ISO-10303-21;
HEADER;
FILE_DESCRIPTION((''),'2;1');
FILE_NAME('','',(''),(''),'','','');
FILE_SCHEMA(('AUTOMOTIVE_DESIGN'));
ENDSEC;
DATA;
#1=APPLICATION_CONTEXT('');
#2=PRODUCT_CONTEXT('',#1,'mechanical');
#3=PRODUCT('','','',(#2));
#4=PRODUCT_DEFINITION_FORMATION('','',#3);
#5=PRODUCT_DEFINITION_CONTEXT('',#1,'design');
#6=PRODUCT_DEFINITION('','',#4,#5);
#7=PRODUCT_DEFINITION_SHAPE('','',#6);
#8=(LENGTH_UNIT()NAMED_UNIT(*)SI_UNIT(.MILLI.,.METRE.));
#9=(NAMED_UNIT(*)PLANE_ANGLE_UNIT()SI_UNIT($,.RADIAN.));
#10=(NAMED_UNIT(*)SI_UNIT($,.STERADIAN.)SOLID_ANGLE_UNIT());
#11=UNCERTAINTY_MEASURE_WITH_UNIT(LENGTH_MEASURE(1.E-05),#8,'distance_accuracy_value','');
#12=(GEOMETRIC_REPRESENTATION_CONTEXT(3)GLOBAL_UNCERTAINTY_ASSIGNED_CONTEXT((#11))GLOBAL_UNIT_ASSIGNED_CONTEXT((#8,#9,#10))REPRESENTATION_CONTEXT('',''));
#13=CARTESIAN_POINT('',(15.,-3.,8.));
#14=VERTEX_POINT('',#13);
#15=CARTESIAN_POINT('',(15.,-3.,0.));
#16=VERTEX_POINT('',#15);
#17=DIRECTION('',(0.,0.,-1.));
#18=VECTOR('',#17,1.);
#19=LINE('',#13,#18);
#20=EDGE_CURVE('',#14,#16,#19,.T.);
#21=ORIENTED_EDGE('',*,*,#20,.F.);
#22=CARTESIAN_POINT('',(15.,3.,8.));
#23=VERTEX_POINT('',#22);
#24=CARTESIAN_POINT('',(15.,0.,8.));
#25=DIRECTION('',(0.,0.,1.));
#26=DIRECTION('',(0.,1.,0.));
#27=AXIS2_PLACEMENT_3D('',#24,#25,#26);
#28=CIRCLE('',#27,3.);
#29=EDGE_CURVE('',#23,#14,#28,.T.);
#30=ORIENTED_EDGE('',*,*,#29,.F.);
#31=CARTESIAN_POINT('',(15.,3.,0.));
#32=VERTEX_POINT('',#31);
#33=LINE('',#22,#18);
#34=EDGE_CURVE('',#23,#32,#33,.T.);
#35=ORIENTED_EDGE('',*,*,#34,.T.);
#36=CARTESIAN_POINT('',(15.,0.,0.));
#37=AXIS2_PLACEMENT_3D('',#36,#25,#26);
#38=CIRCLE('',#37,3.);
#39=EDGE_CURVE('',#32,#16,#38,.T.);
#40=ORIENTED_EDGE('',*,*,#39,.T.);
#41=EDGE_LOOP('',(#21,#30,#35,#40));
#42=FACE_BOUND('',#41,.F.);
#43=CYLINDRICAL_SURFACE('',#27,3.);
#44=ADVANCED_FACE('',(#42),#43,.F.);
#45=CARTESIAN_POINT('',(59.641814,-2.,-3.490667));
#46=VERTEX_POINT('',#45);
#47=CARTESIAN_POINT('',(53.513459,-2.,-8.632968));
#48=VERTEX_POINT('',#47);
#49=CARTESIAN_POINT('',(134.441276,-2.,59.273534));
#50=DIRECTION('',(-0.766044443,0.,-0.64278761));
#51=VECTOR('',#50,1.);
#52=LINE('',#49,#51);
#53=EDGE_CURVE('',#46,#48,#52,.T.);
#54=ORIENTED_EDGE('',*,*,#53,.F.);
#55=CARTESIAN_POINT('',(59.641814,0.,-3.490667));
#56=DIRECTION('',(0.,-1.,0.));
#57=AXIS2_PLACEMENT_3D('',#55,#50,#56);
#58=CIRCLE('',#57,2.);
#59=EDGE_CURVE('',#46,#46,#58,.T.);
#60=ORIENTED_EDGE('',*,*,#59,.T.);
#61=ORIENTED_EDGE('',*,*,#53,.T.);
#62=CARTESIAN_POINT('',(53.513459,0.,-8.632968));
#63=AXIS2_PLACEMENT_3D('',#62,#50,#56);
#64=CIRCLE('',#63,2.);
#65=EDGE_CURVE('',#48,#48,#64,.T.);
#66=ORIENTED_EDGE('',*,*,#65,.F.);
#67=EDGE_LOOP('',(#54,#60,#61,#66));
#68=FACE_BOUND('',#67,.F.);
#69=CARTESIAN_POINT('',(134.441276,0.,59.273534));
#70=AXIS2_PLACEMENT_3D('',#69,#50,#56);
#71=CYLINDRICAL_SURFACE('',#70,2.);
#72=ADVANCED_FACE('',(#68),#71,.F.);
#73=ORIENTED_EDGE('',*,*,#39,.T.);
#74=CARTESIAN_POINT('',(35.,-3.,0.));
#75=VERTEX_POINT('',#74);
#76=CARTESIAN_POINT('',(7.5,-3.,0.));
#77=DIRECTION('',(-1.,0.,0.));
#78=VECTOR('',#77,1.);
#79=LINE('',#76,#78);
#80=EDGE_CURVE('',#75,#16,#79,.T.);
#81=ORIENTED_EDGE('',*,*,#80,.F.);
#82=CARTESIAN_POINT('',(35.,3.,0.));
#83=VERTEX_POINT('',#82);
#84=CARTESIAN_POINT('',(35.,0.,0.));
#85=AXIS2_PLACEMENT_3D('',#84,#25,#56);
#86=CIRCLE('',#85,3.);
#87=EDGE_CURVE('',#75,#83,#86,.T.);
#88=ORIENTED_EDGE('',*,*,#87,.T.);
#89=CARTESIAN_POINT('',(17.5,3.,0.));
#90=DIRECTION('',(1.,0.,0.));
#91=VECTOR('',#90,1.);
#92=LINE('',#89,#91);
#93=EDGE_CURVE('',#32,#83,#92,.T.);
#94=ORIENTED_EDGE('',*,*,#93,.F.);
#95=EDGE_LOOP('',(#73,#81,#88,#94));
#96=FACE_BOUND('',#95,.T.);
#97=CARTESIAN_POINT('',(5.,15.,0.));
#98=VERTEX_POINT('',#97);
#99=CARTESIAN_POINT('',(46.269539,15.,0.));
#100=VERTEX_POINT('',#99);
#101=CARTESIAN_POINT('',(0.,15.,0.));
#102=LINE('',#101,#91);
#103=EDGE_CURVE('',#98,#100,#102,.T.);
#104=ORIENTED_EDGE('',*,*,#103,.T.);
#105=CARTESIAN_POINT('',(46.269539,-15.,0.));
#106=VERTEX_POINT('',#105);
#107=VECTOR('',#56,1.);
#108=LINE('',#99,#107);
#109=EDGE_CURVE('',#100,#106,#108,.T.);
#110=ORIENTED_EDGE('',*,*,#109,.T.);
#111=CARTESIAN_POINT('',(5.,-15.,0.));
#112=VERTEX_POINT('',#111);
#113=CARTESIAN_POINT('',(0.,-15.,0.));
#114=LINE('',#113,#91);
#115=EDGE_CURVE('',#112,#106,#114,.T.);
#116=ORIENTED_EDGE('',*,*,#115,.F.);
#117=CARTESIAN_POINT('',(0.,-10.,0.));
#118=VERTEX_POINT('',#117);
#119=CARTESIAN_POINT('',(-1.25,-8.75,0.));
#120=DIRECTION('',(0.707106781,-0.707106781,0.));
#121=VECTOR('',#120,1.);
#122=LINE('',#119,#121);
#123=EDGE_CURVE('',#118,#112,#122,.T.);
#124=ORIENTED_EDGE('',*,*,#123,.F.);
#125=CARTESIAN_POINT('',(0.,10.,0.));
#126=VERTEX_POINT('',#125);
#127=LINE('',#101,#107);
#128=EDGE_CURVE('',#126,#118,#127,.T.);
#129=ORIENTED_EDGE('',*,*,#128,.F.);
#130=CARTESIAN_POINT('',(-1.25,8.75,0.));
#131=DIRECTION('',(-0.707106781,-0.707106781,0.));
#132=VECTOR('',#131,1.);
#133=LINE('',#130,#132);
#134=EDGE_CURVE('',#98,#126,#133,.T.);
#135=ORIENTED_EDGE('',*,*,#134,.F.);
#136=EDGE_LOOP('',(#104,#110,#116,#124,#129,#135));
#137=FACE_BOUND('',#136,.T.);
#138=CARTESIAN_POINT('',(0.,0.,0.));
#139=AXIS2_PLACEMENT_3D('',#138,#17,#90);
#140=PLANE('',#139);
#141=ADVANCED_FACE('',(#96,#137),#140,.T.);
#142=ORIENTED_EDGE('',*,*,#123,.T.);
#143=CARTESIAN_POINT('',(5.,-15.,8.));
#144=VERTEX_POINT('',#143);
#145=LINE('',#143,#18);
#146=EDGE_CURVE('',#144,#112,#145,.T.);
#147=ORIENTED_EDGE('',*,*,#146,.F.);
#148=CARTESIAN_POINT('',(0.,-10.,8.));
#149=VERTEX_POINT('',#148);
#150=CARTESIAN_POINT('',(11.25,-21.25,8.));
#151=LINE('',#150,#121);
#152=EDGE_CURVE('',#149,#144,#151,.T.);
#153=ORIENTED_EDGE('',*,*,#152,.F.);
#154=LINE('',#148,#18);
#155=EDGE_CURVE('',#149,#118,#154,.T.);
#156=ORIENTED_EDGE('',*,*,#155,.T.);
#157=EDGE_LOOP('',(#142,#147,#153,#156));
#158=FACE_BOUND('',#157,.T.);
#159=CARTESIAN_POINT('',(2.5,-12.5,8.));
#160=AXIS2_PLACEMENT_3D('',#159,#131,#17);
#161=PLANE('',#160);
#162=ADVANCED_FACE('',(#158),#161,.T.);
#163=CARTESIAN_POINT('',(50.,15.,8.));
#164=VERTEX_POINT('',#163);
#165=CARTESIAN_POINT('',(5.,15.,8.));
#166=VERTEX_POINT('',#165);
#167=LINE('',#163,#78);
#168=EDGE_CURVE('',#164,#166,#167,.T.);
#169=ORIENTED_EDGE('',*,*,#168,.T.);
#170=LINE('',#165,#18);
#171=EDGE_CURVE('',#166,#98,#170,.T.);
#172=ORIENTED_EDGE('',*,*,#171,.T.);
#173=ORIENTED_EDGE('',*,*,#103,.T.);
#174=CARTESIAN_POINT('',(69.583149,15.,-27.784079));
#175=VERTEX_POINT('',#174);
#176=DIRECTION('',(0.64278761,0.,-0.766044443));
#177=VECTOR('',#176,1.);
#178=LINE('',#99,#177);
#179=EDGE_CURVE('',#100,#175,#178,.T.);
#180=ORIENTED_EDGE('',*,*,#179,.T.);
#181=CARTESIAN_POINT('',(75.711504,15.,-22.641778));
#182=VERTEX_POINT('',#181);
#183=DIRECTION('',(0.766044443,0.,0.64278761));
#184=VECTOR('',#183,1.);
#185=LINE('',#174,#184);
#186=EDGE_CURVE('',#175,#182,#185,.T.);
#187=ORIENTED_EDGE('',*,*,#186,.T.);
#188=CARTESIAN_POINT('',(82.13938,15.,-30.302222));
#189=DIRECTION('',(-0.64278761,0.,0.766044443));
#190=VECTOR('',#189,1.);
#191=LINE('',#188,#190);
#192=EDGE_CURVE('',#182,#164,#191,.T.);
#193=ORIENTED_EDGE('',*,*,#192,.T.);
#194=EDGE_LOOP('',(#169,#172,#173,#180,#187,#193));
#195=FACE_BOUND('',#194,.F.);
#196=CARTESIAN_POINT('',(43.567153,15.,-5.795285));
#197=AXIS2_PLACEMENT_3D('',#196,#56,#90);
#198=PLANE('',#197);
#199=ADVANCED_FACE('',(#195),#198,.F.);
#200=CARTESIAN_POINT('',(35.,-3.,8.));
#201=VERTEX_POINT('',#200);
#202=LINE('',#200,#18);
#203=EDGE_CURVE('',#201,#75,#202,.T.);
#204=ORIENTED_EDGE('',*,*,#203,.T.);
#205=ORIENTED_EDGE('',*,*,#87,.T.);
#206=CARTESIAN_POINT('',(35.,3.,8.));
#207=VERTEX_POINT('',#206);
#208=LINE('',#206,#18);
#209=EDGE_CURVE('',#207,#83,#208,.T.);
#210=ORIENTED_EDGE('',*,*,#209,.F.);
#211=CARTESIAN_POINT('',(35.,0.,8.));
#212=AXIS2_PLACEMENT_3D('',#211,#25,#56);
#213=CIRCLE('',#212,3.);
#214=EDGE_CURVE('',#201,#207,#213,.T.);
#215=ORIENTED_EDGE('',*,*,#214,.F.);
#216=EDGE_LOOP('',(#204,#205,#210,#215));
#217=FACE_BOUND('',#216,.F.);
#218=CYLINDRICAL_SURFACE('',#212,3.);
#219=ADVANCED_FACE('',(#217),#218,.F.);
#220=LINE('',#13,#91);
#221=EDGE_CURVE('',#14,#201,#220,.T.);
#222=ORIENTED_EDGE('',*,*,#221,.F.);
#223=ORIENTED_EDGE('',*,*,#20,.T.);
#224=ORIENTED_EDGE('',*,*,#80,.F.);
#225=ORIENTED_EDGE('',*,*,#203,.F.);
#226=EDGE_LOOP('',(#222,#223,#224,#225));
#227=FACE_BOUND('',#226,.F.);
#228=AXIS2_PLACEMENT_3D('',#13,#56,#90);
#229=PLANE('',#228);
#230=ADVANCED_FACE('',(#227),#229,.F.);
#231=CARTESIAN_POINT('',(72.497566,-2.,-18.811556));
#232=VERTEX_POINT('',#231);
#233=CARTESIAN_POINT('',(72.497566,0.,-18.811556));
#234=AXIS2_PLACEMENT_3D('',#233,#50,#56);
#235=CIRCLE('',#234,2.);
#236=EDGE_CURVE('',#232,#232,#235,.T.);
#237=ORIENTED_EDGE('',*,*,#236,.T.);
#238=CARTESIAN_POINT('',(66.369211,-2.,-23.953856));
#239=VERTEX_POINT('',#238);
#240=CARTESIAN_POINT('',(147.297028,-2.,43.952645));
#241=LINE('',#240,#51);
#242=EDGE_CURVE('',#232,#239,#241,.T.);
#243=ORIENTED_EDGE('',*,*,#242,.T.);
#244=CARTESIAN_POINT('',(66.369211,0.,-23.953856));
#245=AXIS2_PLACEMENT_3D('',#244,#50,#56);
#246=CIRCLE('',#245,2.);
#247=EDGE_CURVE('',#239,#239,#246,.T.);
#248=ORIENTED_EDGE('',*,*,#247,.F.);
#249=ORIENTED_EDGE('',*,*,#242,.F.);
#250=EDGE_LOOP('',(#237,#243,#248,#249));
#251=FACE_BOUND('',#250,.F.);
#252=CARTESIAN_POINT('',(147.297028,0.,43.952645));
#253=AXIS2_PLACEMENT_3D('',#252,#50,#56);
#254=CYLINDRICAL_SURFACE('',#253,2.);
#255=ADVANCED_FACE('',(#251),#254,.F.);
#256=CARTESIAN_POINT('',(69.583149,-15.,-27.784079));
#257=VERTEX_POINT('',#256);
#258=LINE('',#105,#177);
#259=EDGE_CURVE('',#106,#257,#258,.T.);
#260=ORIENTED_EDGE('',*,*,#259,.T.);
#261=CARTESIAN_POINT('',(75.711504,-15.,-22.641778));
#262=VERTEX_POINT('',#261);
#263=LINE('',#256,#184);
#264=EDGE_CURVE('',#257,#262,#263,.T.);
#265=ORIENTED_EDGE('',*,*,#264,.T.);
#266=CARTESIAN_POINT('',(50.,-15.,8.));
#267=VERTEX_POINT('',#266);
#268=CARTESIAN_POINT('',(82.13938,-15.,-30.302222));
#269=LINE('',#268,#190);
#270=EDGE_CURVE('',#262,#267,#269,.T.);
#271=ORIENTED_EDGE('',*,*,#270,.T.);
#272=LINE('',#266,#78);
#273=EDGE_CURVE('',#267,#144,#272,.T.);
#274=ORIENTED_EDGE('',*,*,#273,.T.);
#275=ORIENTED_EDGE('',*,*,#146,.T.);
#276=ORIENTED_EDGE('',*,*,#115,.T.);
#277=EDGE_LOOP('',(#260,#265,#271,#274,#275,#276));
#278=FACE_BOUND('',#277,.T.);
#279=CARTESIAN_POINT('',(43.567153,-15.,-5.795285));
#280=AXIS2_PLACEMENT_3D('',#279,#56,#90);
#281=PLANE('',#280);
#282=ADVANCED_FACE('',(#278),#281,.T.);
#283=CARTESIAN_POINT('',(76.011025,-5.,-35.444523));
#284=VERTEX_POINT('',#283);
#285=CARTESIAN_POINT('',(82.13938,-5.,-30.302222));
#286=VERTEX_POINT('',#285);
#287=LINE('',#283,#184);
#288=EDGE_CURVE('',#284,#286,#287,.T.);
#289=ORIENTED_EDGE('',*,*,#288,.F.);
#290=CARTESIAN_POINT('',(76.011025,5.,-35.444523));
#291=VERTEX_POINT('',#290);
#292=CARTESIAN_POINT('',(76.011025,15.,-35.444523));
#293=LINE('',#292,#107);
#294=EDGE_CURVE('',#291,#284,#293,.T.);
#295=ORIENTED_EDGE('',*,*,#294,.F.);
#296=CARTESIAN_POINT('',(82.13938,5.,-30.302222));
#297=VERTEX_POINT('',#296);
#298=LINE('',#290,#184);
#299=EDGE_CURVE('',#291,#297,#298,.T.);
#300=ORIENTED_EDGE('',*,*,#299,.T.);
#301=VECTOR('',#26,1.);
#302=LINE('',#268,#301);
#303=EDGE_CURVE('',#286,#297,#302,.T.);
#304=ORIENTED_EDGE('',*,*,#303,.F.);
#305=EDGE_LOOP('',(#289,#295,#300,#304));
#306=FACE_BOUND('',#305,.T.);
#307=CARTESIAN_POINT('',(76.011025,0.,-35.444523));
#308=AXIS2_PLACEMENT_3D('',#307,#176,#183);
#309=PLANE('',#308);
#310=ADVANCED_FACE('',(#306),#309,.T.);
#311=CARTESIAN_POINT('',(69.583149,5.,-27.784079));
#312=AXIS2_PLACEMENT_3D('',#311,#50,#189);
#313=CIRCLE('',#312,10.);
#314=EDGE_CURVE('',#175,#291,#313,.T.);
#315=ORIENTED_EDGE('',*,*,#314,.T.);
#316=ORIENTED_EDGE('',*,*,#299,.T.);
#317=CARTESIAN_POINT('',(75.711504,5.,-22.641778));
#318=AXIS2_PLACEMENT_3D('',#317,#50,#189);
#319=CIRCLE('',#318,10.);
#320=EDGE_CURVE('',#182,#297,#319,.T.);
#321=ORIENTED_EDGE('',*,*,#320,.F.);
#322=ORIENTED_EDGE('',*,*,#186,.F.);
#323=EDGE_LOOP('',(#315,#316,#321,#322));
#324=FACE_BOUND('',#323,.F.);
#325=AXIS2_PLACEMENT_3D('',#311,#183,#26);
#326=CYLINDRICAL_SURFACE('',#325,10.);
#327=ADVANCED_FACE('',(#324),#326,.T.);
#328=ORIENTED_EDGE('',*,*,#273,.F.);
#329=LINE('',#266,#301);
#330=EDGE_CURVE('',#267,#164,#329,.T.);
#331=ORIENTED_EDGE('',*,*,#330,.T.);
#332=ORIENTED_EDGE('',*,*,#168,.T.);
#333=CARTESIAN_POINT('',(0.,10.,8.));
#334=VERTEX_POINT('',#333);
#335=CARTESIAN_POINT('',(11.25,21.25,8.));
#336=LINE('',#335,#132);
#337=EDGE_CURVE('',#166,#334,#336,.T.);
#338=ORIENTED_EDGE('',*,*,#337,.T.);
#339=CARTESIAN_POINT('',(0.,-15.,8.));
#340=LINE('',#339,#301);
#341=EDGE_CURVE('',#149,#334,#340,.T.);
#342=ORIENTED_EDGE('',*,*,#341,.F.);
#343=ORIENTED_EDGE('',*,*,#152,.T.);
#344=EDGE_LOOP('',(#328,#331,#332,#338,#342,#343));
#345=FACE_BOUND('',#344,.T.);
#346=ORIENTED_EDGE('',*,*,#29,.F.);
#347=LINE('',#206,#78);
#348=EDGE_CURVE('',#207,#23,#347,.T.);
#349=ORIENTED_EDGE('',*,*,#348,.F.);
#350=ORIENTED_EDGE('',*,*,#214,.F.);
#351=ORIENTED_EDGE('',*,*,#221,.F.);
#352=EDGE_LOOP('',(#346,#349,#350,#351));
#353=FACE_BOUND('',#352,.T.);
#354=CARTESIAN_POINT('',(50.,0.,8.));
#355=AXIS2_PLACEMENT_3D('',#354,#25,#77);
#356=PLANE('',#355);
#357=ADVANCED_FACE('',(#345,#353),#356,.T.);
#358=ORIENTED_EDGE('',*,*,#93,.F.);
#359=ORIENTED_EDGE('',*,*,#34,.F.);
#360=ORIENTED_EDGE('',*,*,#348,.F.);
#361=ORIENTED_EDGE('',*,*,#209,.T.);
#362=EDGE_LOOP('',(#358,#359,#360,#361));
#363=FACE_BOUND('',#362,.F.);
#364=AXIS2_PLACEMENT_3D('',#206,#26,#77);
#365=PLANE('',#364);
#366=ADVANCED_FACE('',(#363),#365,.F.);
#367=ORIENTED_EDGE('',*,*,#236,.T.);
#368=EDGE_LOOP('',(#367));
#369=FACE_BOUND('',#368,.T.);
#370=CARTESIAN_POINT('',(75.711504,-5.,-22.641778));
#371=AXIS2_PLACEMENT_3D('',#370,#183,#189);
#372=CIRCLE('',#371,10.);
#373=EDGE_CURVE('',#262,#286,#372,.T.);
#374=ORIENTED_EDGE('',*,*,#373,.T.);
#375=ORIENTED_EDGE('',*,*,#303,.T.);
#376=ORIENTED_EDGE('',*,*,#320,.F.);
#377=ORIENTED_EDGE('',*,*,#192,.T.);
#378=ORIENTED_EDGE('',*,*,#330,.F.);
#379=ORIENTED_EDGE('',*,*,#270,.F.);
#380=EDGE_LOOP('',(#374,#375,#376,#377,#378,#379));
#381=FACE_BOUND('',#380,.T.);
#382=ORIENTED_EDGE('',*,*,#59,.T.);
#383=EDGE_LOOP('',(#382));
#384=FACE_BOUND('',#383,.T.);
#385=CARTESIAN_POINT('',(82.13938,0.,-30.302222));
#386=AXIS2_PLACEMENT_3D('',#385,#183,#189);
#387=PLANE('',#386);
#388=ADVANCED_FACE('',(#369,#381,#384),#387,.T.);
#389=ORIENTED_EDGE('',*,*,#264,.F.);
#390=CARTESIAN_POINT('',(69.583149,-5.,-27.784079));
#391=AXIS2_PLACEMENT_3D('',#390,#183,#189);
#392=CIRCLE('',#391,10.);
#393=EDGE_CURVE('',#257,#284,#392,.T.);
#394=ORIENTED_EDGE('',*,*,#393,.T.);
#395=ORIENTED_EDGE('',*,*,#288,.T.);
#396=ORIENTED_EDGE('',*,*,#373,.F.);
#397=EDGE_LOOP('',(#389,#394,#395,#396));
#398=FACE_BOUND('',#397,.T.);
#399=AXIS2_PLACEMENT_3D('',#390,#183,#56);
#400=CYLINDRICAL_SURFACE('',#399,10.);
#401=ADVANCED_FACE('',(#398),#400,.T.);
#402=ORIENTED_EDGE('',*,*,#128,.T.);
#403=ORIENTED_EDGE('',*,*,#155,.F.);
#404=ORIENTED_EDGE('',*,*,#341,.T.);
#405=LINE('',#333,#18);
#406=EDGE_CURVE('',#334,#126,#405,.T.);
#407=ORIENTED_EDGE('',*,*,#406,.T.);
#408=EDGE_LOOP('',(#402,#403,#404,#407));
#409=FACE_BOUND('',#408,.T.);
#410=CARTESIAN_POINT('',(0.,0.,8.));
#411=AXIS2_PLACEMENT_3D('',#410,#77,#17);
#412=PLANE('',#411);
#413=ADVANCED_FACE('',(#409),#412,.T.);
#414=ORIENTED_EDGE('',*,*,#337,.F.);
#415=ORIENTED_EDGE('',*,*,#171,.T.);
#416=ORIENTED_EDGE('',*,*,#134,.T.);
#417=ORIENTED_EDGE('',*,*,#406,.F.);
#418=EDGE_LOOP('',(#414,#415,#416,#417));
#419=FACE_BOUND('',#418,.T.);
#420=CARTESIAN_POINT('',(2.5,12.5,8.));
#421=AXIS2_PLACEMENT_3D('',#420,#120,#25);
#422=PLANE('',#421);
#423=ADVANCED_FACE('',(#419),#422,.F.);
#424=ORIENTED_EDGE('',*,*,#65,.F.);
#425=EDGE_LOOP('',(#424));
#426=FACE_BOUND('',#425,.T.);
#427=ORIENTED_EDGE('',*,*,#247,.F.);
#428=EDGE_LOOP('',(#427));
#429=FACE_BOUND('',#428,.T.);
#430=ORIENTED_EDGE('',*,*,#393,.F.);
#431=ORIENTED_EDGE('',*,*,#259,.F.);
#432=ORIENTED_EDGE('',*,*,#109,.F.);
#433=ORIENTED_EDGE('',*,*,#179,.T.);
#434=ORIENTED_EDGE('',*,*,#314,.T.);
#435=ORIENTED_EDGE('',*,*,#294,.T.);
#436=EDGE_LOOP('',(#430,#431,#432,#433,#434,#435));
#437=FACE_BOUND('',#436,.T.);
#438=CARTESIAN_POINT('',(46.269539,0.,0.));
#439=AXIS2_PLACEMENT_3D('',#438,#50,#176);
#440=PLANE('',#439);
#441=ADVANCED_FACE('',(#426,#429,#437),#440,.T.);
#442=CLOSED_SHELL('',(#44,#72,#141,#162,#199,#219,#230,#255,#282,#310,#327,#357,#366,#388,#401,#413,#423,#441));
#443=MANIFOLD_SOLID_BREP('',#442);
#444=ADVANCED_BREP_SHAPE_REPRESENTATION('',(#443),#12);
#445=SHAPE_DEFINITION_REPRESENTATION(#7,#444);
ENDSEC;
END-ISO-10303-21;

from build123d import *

# Parameters (mm, degrees)
F1_DEPTH = 15
F3_DEPTH = 43.4455230334
F5_D     = 4
F6_R     = 10
F7_SIZE  = 5


with BuildPart() as f1:
    # F0 (on Front) → F1 (new body, symmetric)
    with BuildSketch(Plane.XZ):
        Polygon((0, 8), (0, 0), (46.2695387348, 0), (76.0110249394, -35.4445230334), (82.1393804843, -30.3022221559), (50, 8), align=None)
    extrude(amount=F1_DEPTH, both=True)

    # F2 (on face) → F3 (cut, through all)
    with BuildSketch(Plane.XY.offset(8)):
        with BuildLine():
            ThreePointArc((15, 3), (12, 0), (15, -3))
            Line((15, -3), (35, -3))
            ThreePointArc((35, -3), (38, 0), (35, 3))
            Line((35, 3), (15, 3))
        make_face()
    extrude(amount=-F3_DEPTH, mode=Mode.SUBTRACT)

    # F5 (through all)
    with Locations(Plane(origin=(33.2804354537, 0, 27.9256011146), x_dir=(0, 1, 0), z_dir=(0.7660444431, 0, 0.6427876097))):
        with Locations((0, -41.0110249394), (0, -61.0110249394)):
            Hole(F5_D / 2)

    # F6
    f6_edges = [f1.edges().sort_by_distance(p)[0] for p in [
        (79.075203, -15, -32.873373),
        (79.075203, 15, -32.873373),
    ]]
    fillet(f6_edges, radius=F6_R)

    # F7
    f7_edges = [f1.edges().sort_by_distance(p)[0] for p in [
        (0, -15, 4),
        (0, 15, 4),
    ]]
    chamfer(f7_edges, length=F7_SIZE)


solid = f1.part
